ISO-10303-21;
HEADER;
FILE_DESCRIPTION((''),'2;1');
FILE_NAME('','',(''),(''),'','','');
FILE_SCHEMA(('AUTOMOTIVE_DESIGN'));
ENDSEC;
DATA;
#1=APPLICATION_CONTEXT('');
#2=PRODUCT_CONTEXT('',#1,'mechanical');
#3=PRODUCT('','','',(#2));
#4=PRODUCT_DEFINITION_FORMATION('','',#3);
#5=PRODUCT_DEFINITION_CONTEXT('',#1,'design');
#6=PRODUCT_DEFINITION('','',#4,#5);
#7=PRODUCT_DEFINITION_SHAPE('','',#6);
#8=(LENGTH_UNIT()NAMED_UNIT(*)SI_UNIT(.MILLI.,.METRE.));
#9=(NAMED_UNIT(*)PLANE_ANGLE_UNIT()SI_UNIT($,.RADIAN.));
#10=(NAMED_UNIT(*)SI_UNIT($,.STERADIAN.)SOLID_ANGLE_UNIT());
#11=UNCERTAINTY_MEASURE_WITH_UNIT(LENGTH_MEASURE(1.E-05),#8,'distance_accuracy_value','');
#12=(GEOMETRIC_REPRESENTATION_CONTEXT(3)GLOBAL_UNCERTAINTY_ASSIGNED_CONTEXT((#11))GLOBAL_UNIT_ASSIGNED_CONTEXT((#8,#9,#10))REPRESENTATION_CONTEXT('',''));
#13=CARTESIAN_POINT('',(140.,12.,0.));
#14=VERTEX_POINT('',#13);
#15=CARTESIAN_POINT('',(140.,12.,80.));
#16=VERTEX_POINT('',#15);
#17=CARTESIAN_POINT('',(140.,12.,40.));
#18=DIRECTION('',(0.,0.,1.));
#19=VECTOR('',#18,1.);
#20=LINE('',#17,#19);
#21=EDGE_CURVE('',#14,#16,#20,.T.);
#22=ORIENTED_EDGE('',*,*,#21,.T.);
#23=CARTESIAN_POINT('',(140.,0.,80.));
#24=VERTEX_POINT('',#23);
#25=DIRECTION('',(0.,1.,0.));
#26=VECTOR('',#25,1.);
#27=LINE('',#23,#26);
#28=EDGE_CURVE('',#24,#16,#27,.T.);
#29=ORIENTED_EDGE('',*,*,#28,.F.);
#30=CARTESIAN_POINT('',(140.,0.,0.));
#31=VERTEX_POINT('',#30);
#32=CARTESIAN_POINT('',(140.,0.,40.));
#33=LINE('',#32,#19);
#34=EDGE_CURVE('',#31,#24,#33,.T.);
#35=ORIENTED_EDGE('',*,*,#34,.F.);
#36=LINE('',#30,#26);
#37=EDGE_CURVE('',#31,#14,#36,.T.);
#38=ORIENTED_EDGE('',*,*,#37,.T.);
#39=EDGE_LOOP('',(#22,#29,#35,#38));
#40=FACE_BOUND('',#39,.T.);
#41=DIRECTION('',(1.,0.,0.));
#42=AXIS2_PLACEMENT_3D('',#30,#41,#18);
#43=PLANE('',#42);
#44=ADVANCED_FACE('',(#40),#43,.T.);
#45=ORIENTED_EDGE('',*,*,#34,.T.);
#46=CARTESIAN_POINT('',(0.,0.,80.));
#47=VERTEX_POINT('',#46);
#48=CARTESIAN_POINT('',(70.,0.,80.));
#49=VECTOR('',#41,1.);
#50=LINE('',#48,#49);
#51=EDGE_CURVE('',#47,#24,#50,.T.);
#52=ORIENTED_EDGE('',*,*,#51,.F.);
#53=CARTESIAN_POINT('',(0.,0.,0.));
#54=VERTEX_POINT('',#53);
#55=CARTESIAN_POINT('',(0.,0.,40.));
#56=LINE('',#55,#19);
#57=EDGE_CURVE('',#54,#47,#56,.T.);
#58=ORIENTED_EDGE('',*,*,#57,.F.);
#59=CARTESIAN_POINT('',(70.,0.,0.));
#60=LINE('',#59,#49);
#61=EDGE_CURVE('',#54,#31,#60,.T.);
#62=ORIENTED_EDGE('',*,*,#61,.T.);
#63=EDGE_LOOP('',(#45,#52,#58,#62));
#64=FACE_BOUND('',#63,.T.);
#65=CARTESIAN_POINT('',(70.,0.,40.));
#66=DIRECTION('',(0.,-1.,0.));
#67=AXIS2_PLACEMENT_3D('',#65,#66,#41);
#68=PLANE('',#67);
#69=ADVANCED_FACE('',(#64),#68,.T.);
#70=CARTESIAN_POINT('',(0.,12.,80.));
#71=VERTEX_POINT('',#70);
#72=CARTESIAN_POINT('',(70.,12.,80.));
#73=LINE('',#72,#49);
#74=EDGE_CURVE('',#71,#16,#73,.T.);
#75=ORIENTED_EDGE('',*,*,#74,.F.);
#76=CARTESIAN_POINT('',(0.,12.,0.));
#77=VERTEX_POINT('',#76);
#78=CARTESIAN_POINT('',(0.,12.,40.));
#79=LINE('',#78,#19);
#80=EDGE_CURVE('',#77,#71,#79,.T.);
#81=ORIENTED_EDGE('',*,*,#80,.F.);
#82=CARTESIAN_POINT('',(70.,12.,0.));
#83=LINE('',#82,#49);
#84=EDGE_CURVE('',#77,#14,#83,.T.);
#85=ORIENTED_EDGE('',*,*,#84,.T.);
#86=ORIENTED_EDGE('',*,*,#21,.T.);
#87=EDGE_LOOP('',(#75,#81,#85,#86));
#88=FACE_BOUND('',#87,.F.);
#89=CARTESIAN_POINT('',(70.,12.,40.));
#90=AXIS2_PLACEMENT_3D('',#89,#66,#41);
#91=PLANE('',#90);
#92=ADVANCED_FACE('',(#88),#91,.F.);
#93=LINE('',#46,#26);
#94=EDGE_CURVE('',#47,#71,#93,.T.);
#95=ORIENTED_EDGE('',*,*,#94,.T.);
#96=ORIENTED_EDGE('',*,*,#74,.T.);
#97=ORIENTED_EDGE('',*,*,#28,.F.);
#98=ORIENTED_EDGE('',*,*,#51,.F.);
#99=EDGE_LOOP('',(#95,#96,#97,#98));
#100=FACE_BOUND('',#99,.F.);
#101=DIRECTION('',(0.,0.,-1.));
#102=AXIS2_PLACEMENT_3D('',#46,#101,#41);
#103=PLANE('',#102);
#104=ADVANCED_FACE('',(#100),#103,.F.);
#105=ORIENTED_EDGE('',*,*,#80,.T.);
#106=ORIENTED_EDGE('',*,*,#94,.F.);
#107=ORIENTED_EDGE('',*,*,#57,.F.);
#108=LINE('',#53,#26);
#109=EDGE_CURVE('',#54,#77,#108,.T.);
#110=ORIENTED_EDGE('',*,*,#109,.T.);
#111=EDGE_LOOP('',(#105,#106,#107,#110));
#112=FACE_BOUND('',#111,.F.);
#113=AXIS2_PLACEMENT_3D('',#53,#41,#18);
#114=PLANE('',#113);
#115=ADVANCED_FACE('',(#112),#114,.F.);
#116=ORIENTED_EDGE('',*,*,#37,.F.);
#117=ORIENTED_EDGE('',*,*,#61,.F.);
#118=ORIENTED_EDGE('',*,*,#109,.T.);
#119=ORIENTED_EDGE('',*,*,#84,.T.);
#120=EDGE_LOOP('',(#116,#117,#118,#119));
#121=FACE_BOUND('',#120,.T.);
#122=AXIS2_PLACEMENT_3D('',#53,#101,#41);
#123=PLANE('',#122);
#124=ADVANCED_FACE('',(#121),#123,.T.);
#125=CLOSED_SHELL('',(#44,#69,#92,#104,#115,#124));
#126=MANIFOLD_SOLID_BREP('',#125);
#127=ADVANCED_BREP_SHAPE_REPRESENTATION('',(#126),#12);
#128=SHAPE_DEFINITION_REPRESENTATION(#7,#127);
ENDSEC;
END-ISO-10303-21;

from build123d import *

# Parameters (mm, degrees)
SKETCH_W  = 140
SKETCH_H  = 80
PAD_DEPTH = 12


with BuildPart() as part:
    # Sketch → Pad (new body)
    with BuildSketch(Plane.XZ):
        with Locations((70, 40)):
            Rectangle(SKETCH_W, SKETCH_H)
    extrude(amount=-PAD_DEPTH)


solid = part.part
